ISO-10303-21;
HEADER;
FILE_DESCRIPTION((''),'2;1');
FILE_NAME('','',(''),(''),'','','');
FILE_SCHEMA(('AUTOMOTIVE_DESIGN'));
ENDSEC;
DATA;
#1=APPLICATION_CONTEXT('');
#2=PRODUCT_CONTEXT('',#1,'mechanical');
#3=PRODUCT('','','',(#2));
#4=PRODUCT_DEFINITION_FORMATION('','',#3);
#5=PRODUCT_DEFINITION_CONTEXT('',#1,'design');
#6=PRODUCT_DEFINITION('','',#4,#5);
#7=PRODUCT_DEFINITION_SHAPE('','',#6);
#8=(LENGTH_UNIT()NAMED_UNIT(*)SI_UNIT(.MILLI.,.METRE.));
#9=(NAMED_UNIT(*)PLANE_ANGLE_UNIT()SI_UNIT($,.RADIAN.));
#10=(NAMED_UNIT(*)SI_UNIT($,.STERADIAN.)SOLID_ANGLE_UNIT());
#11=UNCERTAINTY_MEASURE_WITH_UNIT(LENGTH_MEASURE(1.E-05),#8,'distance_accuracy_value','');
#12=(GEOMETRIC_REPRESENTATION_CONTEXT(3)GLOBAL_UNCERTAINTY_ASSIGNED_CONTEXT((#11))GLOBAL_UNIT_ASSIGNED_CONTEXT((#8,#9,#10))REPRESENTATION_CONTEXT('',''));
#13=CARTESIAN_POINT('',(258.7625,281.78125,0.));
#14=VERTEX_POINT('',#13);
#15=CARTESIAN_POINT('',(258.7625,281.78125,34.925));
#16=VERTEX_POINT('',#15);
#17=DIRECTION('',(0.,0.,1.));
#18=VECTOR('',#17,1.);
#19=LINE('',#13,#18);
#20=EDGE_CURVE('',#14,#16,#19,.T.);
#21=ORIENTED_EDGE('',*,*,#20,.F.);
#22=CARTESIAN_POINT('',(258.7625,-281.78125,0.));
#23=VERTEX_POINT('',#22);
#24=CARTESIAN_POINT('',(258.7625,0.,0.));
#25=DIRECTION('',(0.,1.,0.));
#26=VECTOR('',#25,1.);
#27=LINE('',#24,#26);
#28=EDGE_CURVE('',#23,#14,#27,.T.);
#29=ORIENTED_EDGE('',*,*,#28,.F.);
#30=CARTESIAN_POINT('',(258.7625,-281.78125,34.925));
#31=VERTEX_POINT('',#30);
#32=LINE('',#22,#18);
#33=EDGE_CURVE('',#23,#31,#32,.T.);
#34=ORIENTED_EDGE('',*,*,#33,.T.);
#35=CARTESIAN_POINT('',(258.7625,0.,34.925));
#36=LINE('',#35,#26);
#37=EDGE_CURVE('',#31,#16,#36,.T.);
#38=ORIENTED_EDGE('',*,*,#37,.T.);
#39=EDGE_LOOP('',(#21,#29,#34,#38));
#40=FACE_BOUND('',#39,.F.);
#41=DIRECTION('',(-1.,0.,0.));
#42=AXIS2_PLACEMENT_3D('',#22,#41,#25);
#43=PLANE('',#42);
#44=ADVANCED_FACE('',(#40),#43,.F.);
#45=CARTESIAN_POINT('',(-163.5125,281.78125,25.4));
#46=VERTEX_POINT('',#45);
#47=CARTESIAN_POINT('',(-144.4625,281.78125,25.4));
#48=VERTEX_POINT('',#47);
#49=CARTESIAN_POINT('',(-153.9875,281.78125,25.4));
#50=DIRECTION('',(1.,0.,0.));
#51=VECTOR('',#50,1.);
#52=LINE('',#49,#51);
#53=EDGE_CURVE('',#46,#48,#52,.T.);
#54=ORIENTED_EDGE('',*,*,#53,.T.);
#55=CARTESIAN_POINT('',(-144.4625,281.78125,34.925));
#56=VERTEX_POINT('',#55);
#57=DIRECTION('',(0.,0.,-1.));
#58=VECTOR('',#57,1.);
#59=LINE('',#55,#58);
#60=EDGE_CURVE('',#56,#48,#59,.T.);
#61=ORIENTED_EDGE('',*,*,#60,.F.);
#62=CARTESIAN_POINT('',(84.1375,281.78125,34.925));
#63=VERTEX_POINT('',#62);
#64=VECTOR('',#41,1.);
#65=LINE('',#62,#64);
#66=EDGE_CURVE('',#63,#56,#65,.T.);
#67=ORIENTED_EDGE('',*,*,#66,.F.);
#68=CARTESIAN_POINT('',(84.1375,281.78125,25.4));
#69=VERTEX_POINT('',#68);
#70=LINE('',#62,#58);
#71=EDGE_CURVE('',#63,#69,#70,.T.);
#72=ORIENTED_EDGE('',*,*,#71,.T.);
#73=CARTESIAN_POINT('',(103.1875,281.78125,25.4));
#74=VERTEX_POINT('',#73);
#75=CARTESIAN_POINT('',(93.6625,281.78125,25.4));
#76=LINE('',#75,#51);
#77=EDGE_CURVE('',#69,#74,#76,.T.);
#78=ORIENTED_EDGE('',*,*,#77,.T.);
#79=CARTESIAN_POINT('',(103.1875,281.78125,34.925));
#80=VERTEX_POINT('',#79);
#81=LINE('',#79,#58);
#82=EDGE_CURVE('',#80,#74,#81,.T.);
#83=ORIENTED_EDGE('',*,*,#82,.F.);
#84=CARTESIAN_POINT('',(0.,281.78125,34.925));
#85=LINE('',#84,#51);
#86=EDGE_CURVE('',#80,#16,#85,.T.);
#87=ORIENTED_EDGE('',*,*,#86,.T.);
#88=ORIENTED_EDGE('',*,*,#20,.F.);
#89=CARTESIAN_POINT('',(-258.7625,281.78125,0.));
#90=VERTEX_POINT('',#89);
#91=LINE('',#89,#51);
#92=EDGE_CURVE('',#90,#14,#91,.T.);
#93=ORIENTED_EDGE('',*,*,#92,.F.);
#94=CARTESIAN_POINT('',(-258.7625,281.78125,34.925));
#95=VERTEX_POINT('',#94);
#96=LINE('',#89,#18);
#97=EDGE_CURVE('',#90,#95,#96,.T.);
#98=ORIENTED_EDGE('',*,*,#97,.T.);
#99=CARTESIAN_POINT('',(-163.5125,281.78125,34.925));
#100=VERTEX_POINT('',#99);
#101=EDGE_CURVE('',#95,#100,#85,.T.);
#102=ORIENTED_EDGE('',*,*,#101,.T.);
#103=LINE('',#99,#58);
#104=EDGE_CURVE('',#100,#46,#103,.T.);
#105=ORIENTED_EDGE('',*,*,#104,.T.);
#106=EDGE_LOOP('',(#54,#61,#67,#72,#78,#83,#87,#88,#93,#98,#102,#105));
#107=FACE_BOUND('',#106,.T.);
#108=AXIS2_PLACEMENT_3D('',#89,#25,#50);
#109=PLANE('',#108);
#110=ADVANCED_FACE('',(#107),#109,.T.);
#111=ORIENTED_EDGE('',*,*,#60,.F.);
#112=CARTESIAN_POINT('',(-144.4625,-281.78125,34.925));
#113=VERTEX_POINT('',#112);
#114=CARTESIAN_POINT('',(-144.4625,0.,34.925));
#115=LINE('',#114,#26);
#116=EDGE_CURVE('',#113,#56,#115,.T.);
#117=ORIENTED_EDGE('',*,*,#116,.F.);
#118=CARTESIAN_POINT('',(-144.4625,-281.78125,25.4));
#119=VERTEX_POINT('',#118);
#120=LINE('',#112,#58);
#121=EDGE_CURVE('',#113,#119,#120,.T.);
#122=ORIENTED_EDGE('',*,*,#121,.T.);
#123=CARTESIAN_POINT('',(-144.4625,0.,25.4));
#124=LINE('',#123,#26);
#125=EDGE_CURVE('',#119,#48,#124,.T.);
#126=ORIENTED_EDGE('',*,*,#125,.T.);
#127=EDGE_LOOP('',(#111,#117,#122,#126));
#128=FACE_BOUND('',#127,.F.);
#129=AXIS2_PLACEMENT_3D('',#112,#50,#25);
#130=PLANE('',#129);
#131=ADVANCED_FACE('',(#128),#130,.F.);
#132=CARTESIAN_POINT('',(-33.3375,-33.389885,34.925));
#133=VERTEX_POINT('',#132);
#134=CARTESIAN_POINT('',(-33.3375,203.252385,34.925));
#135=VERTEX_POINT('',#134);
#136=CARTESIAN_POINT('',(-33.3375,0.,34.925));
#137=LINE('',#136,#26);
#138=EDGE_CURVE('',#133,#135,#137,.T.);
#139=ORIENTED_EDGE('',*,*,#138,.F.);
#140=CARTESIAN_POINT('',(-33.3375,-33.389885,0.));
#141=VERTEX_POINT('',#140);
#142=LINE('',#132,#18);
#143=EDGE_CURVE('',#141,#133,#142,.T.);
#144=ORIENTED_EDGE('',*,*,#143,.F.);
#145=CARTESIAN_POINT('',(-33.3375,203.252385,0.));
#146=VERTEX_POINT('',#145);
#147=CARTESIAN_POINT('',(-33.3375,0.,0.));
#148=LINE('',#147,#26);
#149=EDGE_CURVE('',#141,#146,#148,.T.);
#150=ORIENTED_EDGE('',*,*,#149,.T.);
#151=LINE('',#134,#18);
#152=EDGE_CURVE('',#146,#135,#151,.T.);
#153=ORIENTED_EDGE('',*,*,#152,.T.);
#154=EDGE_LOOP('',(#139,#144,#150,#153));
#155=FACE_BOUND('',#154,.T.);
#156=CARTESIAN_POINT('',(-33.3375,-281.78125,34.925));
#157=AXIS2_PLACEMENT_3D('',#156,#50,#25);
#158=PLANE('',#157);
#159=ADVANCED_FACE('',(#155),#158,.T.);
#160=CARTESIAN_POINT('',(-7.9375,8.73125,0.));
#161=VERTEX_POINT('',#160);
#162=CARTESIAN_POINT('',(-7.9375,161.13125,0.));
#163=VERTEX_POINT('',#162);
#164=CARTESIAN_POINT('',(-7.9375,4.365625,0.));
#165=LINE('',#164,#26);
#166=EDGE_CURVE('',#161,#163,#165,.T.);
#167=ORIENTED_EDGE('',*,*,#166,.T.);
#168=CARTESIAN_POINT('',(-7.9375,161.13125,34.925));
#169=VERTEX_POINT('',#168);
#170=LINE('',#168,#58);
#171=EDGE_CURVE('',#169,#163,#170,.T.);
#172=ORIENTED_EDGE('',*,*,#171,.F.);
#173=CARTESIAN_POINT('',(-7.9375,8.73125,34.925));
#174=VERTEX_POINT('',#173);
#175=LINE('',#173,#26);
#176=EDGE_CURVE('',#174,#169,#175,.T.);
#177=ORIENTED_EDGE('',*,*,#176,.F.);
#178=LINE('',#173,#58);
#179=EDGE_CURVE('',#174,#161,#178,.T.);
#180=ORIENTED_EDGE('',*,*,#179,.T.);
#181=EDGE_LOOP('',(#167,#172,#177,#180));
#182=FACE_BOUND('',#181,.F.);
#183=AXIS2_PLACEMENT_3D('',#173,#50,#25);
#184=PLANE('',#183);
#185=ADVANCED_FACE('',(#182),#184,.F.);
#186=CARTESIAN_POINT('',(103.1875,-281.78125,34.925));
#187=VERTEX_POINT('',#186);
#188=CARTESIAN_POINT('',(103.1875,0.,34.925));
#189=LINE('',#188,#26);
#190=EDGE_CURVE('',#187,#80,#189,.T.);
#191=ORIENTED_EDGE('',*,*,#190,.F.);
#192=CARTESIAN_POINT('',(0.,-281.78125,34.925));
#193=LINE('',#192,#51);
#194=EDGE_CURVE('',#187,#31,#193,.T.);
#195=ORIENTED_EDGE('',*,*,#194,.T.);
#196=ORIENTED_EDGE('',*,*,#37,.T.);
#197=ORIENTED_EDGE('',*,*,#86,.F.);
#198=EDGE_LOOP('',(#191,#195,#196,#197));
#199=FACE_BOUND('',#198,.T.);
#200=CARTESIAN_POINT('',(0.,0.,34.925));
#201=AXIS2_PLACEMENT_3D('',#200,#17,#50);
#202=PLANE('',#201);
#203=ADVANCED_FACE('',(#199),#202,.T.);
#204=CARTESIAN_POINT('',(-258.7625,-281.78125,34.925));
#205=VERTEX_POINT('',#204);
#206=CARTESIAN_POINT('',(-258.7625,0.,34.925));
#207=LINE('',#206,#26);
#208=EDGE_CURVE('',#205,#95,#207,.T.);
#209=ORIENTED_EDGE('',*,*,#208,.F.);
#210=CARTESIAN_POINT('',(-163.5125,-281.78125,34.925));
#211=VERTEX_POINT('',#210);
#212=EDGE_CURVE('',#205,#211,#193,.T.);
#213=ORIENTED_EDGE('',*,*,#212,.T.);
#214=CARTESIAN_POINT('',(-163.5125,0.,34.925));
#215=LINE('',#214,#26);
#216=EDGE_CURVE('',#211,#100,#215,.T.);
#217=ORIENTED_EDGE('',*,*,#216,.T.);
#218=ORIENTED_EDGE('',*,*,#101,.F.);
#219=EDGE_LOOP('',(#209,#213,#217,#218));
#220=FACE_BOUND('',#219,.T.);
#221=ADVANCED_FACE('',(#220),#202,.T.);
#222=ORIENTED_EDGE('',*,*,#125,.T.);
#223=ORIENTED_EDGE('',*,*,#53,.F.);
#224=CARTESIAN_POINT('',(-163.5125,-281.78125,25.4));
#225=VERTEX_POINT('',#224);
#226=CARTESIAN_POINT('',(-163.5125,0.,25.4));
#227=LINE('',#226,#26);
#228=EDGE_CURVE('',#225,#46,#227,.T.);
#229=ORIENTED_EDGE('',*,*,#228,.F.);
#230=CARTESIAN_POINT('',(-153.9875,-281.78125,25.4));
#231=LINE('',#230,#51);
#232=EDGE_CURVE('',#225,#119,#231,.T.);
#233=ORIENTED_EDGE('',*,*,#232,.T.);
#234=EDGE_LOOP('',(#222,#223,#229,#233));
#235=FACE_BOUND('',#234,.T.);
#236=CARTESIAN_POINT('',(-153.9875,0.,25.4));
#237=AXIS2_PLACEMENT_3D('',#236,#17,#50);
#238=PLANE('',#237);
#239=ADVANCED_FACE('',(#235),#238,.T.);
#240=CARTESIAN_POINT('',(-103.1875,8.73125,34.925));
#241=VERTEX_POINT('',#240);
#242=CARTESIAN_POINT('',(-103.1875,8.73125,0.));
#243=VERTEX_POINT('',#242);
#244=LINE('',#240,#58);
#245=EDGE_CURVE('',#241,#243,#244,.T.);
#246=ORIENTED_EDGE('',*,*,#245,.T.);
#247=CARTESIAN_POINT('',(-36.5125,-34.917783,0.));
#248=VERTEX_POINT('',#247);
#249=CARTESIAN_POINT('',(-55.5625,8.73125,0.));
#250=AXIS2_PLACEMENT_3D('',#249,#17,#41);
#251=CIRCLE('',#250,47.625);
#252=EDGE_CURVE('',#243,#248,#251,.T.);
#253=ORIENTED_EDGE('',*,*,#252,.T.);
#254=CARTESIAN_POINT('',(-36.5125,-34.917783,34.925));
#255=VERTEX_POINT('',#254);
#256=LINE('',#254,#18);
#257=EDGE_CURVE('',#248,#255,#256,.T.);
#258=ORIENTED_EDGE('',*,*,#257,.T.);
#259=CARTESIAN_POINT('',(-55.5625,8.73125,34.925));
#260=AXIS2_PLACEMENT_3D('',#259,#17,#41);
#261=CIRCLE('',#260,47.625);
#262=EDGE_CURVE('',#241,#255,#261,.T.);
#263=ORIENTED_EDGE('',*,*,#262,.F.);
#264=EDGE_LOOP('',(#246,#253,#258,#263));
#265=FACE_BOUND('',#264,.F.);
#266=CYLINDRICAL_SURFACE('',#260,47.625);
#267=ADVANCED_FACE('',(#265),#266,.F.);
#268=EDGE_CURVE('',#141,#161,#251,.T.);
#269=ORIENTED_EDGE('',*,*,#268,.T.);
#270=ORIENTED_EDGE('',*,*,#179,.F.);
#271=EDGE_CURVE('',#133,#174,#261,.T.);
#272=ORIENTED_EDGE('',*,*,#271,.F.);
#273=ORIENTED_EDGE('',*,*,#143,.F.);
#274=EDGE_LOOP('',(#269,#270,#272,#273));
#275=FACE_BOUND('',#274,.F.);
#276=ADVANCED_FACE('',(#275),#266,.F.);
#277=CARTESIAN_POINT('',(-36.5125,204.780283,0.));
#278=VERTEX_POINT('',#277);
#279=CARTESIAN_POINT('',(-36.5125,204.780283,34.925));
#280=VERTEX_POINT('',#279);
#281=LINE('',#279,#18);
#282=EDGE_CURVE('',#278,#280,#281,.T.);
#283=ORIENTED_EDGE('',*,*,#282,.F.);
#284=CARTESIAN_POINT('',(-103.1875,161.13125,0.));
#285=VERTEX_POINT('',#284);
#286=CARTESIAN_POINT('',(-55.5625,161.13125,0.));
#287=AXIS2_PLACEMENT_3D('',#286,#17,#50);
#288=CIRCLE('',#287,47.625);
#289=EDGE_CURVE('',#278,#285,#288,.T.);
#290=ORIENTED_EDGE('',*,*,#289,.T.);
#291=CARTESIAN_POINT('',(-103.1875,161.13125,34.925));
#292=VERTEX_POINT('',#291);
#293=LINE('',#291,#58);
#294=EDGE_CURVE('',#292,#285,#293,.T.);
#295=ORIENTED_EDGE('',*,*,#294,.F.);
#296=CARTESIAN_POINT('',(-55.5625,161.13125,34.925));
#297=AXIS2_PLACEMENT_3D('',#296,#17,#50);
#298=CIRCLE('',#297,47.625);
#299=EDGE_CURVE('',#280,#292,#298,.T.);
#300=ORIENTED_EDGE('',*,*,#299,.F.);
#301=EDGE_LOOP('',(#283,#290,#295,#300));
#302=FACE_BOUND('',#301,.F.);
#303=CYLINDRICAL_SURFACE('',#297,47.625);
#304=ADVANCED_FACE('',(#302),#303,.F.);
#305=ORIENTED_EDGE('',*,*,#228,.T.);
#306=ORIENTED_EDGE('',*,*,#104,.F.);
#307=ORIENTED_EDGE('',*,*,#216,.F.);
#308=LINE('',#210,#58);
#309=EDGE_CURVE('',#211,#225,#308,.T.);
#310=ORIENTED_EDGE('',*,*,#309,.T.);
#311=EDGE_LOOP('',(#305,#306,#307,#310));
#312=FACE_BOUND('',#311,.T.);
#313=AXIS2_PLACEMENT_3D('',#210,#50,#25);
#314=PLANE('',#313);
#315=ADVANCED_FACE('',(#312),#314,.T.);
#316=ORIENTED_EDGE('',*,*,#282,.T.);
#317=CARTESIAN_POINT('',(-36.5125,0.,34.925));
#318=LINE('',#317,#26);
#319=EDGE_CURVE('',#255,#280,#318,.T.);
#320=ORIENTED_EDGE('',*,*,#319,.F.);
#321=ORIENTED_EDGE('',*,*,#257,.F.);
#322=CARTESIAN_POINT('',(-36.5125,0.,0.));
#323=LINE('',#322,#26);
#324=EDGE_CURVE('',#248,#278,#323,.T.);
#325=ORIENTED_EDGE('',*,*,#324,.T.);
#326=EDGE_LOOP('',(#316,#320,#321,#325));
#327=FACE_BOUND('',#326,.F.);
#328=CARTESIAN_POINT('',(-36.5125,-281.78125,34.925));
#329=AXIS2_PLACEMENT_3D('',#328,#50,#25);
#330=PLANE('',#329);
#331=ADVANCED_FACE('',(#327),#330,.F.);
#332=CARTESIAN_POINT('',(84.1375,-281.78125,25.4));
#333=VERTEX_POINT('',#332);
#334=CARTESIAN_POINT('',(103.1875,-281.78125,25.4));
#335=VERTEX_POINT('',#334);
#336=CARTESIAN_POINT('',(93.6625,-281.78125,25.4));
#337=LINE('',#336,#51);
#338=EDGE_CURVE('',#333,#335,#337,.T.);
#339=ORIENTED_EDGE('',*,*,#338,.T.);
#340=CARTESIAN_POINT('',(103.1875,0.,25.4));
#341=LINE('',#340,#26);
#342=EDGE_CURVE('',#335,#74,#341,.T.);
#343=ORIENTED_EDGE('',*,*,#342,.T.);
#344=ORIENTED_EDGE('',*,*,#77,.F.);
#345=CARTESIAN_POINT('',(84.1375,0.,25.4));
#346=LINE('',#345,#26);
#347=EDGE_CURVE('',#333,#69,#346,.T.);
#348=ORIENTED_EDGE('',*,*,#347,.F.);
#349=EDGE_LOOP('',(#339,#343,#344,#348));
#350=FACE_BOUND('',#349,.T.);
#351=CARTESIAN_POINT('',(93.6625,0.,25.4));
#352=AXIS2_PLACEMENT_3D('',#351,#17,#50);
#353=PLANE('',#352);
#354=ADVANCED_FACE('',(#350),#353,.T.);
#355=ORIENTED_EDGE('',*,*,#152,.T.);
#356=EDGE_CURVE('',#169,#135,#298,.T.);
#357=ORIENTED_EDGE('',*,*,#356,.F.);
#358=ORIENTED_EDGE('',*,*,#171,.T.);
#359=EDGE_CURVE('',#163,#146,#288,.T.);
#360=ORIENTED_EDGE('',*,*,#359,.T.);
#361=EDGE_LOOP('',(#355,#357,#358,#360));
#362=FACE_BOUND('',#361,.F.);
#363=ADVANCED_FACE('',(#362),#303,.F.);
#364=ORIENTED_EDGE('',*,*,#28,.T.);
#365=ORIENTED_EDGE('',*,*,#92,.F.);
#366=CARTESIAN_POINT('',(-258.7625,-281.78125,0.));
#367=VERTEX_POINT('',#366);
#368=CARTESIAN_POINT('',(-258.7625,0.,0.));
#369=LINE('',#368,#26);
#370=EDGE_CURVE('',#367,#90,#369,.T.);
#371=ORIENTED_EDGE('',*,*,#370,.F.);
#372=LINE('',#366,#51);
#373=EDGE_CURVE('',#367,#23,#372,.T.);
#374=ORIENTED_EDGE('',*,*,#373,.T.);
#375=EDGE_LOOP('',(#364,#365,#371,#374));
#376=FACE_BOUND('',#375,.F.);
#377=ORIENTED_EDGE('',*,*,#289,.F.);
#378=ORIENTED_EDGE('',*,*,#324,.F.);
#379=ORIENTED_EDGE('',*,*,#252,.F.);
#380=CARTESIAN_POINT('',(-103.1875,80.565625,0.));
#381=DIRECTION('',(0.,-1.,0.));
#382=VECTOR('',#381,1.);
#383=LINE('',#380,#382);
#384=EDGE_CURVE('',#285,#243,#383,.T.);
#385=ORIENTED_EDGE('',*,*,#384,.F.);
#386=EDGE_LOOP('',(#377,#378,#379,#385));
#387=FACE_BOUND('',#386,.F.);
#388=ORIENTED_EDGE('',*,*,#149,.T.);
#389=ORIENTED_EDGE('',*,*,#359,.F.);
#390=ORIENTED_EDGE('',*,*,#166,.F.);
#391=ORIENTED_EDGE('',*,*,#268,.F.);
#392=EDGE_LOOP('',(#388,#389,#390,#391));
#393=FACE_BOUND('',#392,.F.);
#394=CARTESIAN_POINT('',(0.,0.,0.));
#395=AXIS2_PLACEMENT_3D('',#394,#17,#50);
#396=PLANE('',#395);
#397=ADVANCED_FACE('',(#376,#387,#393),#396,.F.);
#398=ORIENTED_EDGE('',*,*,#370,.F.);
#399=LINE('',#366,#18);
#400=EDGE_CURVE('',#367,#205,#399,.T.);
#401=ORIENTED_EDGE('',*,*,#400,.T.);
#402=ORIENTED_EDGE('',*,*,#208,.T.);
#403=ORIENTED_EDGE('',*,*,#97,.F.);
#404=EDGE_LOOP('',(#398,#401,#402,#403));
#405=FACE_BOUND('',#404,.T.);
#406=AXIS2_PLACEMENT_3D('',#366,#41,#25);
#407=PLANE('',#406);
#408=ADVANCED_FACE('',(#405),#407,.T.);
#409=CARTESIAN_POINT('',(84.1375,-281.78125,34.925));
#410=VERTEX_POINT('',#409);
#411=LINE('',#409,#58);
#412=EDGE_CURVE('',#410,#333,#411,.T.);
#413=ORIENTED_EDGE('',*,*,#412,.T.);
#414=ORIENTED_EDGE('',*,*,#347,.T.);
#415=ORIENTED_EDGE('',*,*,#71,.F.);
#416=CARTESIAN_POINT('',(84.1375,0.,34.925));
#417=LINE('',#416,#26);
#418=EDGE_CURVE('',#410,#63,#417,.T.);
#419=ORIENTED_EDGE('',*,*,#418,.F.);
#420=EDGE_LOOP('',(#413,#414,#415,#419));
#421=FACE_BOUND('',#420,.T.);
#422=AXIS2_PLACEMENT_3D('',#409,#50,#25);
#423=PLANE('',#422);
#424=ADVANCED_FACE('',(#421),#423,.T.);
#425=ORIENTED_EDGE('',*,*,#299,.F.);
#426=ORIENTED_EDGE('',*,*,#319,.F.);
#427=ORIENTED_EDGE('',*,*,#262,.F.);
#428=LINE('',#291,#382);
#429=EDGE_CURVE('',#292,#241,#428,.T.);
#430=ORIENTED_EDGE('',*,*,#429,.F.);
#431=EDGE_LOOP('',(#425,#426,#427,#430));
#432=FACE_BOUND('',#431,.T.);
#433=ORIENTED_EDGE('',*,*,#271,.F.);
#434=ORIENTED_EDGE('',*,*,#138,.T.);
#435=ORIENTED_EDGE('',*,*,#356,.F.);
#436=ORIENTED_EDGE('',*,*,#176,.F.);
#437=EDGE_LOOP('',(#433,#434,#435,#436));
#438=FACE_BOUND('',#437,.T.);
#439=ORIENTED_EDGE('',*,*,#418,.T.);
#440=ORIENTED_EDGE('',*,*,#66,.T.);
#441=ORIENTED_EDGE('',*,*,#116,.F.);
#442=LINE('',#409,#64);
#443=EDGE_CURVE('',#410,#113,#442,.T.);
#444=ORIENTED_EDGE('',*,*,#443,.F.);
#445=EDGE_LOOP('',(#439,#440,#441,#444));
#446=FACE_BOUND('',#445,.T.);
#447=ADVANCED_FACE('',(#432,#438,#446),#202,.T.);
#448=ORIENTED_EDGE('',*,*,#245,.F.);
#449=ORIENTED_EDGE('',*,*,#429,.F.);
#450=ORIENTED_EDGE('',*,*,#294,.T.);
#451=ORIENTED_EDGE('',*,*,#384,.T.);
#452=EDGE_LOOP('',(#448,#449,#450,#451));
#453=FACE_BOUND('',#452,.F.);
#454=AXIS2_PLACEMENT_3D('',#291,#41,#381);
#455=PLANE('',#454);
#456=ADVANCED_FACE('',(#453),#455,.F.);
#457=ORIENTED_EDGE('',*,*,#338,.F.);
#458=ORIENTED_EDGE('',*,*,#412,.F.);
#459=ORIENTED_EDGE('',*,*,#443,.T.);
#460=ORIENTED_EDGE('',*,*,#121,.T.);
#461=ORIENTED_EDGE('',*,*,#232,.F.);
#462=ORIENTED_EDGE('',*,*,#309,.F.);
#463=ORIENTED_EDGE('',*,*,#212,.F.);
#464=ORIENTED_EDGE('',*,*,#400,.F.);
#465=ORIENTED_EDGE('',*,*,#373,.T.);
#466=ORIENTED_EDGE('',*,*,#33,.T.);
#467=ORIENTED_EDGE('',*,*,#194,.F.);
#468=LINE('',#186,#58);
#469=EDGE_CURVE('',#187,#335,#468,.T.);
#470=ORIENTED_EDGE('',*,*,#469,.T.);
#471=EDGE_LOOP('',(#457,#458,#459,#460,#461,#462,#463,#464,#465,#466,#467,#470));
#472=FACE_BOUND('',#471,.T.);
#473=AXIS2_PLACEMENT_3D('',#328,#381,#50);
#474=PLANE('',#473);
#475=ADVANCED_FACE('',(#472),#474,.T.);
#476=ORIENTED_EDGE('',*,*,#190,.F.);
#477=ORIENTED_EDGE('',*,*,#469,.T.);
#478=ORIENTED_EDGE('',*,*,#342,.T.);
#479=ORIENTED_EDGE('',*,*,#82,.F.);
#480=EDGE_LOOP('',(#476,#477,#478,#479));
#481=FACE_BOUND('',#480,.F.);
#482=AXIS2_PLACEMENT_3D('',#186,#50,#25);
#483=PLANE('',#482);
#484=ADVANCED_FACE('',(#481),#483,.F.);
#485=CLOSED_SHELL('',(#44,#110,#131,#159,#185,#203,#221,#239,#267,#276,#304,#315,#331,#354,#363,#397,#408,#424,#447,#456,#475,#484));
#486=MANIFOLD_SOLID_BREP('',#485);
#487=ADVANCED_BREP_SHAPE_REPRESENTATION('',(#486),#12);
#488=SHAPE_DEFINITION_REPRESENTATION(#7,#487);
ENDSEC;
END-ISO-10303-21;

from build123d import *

# Parameters (mm, degrees)
SKETCH_W        = 517.525
SKETCH_H        = 563.5625
PAD_DEPTH       = 34.925
SKETCH001_W     = 19.05
SKETCH001_H     = 563.5625
POCKET_DEPTH    = 9.525
POCKET001_DEPTH = 34.926
SKETCH003_W     = 3.175
SKETCH003_H     = 563.5625
PAD001_DEPTH    = 34.925


with BuildPart() as part:
    # Sketch → Pad (new body)
    with BuildSketch(Plane.XY):
        Rectangle(SKETCH_W, SKETCH_H)
    extrude(amount=PAD_DEPTH)

    # Sketch001 (on Face6 of Pad) → Pocket (cut)
    with BuildSketch(Plane.XY.offset(34.925)):
        with Locations((-153.9875, 0)):
            Rectangle(SKETCH001_W, SKETCH001_H)
        with Locations((93.6625, 0)):
            Rectangle(SKETCH001_W, SKETCH001_H)
    extrude(amount=-POCKET_DEPTH, mode=Mode.SUBTRACT)

    # Sketch002 (on Face9 of Pocket) → Pocket001 (cut, through all)
    with BuildSketch(Plane.XY.offset(34.925)):
        with BuildLine():
            ThreePointArc((-7.9375, 161.13125), (-55.5625, 208.75625), (-103.1875, 161.13125))
            Line((-103.1875, 161.13125), (-103.1875, 8.73125))
            ThreePointArc((-103.1875, 8.73125), (-55.5625, -38.89375), (-7.9375, 8.73125))
            Line((-7.9375, 8.73125), (-7.9375, 161.13125))
        make_face()
    extrude(amount=-POCKET001_DEPTH, mode=Mode.SUBTRACT)

    # Sketch003 (on Face9 of Pocket001) → Pad001 (join)
    with BuildSketch(Plane.XY.offset(34.925)):
        with Locations((-34.925, 0)):
            Rectangle(SKETCH003_W, SKETCH003_H)
    extrude(amount=-PAD001_DEPTH)


solid = part.part
